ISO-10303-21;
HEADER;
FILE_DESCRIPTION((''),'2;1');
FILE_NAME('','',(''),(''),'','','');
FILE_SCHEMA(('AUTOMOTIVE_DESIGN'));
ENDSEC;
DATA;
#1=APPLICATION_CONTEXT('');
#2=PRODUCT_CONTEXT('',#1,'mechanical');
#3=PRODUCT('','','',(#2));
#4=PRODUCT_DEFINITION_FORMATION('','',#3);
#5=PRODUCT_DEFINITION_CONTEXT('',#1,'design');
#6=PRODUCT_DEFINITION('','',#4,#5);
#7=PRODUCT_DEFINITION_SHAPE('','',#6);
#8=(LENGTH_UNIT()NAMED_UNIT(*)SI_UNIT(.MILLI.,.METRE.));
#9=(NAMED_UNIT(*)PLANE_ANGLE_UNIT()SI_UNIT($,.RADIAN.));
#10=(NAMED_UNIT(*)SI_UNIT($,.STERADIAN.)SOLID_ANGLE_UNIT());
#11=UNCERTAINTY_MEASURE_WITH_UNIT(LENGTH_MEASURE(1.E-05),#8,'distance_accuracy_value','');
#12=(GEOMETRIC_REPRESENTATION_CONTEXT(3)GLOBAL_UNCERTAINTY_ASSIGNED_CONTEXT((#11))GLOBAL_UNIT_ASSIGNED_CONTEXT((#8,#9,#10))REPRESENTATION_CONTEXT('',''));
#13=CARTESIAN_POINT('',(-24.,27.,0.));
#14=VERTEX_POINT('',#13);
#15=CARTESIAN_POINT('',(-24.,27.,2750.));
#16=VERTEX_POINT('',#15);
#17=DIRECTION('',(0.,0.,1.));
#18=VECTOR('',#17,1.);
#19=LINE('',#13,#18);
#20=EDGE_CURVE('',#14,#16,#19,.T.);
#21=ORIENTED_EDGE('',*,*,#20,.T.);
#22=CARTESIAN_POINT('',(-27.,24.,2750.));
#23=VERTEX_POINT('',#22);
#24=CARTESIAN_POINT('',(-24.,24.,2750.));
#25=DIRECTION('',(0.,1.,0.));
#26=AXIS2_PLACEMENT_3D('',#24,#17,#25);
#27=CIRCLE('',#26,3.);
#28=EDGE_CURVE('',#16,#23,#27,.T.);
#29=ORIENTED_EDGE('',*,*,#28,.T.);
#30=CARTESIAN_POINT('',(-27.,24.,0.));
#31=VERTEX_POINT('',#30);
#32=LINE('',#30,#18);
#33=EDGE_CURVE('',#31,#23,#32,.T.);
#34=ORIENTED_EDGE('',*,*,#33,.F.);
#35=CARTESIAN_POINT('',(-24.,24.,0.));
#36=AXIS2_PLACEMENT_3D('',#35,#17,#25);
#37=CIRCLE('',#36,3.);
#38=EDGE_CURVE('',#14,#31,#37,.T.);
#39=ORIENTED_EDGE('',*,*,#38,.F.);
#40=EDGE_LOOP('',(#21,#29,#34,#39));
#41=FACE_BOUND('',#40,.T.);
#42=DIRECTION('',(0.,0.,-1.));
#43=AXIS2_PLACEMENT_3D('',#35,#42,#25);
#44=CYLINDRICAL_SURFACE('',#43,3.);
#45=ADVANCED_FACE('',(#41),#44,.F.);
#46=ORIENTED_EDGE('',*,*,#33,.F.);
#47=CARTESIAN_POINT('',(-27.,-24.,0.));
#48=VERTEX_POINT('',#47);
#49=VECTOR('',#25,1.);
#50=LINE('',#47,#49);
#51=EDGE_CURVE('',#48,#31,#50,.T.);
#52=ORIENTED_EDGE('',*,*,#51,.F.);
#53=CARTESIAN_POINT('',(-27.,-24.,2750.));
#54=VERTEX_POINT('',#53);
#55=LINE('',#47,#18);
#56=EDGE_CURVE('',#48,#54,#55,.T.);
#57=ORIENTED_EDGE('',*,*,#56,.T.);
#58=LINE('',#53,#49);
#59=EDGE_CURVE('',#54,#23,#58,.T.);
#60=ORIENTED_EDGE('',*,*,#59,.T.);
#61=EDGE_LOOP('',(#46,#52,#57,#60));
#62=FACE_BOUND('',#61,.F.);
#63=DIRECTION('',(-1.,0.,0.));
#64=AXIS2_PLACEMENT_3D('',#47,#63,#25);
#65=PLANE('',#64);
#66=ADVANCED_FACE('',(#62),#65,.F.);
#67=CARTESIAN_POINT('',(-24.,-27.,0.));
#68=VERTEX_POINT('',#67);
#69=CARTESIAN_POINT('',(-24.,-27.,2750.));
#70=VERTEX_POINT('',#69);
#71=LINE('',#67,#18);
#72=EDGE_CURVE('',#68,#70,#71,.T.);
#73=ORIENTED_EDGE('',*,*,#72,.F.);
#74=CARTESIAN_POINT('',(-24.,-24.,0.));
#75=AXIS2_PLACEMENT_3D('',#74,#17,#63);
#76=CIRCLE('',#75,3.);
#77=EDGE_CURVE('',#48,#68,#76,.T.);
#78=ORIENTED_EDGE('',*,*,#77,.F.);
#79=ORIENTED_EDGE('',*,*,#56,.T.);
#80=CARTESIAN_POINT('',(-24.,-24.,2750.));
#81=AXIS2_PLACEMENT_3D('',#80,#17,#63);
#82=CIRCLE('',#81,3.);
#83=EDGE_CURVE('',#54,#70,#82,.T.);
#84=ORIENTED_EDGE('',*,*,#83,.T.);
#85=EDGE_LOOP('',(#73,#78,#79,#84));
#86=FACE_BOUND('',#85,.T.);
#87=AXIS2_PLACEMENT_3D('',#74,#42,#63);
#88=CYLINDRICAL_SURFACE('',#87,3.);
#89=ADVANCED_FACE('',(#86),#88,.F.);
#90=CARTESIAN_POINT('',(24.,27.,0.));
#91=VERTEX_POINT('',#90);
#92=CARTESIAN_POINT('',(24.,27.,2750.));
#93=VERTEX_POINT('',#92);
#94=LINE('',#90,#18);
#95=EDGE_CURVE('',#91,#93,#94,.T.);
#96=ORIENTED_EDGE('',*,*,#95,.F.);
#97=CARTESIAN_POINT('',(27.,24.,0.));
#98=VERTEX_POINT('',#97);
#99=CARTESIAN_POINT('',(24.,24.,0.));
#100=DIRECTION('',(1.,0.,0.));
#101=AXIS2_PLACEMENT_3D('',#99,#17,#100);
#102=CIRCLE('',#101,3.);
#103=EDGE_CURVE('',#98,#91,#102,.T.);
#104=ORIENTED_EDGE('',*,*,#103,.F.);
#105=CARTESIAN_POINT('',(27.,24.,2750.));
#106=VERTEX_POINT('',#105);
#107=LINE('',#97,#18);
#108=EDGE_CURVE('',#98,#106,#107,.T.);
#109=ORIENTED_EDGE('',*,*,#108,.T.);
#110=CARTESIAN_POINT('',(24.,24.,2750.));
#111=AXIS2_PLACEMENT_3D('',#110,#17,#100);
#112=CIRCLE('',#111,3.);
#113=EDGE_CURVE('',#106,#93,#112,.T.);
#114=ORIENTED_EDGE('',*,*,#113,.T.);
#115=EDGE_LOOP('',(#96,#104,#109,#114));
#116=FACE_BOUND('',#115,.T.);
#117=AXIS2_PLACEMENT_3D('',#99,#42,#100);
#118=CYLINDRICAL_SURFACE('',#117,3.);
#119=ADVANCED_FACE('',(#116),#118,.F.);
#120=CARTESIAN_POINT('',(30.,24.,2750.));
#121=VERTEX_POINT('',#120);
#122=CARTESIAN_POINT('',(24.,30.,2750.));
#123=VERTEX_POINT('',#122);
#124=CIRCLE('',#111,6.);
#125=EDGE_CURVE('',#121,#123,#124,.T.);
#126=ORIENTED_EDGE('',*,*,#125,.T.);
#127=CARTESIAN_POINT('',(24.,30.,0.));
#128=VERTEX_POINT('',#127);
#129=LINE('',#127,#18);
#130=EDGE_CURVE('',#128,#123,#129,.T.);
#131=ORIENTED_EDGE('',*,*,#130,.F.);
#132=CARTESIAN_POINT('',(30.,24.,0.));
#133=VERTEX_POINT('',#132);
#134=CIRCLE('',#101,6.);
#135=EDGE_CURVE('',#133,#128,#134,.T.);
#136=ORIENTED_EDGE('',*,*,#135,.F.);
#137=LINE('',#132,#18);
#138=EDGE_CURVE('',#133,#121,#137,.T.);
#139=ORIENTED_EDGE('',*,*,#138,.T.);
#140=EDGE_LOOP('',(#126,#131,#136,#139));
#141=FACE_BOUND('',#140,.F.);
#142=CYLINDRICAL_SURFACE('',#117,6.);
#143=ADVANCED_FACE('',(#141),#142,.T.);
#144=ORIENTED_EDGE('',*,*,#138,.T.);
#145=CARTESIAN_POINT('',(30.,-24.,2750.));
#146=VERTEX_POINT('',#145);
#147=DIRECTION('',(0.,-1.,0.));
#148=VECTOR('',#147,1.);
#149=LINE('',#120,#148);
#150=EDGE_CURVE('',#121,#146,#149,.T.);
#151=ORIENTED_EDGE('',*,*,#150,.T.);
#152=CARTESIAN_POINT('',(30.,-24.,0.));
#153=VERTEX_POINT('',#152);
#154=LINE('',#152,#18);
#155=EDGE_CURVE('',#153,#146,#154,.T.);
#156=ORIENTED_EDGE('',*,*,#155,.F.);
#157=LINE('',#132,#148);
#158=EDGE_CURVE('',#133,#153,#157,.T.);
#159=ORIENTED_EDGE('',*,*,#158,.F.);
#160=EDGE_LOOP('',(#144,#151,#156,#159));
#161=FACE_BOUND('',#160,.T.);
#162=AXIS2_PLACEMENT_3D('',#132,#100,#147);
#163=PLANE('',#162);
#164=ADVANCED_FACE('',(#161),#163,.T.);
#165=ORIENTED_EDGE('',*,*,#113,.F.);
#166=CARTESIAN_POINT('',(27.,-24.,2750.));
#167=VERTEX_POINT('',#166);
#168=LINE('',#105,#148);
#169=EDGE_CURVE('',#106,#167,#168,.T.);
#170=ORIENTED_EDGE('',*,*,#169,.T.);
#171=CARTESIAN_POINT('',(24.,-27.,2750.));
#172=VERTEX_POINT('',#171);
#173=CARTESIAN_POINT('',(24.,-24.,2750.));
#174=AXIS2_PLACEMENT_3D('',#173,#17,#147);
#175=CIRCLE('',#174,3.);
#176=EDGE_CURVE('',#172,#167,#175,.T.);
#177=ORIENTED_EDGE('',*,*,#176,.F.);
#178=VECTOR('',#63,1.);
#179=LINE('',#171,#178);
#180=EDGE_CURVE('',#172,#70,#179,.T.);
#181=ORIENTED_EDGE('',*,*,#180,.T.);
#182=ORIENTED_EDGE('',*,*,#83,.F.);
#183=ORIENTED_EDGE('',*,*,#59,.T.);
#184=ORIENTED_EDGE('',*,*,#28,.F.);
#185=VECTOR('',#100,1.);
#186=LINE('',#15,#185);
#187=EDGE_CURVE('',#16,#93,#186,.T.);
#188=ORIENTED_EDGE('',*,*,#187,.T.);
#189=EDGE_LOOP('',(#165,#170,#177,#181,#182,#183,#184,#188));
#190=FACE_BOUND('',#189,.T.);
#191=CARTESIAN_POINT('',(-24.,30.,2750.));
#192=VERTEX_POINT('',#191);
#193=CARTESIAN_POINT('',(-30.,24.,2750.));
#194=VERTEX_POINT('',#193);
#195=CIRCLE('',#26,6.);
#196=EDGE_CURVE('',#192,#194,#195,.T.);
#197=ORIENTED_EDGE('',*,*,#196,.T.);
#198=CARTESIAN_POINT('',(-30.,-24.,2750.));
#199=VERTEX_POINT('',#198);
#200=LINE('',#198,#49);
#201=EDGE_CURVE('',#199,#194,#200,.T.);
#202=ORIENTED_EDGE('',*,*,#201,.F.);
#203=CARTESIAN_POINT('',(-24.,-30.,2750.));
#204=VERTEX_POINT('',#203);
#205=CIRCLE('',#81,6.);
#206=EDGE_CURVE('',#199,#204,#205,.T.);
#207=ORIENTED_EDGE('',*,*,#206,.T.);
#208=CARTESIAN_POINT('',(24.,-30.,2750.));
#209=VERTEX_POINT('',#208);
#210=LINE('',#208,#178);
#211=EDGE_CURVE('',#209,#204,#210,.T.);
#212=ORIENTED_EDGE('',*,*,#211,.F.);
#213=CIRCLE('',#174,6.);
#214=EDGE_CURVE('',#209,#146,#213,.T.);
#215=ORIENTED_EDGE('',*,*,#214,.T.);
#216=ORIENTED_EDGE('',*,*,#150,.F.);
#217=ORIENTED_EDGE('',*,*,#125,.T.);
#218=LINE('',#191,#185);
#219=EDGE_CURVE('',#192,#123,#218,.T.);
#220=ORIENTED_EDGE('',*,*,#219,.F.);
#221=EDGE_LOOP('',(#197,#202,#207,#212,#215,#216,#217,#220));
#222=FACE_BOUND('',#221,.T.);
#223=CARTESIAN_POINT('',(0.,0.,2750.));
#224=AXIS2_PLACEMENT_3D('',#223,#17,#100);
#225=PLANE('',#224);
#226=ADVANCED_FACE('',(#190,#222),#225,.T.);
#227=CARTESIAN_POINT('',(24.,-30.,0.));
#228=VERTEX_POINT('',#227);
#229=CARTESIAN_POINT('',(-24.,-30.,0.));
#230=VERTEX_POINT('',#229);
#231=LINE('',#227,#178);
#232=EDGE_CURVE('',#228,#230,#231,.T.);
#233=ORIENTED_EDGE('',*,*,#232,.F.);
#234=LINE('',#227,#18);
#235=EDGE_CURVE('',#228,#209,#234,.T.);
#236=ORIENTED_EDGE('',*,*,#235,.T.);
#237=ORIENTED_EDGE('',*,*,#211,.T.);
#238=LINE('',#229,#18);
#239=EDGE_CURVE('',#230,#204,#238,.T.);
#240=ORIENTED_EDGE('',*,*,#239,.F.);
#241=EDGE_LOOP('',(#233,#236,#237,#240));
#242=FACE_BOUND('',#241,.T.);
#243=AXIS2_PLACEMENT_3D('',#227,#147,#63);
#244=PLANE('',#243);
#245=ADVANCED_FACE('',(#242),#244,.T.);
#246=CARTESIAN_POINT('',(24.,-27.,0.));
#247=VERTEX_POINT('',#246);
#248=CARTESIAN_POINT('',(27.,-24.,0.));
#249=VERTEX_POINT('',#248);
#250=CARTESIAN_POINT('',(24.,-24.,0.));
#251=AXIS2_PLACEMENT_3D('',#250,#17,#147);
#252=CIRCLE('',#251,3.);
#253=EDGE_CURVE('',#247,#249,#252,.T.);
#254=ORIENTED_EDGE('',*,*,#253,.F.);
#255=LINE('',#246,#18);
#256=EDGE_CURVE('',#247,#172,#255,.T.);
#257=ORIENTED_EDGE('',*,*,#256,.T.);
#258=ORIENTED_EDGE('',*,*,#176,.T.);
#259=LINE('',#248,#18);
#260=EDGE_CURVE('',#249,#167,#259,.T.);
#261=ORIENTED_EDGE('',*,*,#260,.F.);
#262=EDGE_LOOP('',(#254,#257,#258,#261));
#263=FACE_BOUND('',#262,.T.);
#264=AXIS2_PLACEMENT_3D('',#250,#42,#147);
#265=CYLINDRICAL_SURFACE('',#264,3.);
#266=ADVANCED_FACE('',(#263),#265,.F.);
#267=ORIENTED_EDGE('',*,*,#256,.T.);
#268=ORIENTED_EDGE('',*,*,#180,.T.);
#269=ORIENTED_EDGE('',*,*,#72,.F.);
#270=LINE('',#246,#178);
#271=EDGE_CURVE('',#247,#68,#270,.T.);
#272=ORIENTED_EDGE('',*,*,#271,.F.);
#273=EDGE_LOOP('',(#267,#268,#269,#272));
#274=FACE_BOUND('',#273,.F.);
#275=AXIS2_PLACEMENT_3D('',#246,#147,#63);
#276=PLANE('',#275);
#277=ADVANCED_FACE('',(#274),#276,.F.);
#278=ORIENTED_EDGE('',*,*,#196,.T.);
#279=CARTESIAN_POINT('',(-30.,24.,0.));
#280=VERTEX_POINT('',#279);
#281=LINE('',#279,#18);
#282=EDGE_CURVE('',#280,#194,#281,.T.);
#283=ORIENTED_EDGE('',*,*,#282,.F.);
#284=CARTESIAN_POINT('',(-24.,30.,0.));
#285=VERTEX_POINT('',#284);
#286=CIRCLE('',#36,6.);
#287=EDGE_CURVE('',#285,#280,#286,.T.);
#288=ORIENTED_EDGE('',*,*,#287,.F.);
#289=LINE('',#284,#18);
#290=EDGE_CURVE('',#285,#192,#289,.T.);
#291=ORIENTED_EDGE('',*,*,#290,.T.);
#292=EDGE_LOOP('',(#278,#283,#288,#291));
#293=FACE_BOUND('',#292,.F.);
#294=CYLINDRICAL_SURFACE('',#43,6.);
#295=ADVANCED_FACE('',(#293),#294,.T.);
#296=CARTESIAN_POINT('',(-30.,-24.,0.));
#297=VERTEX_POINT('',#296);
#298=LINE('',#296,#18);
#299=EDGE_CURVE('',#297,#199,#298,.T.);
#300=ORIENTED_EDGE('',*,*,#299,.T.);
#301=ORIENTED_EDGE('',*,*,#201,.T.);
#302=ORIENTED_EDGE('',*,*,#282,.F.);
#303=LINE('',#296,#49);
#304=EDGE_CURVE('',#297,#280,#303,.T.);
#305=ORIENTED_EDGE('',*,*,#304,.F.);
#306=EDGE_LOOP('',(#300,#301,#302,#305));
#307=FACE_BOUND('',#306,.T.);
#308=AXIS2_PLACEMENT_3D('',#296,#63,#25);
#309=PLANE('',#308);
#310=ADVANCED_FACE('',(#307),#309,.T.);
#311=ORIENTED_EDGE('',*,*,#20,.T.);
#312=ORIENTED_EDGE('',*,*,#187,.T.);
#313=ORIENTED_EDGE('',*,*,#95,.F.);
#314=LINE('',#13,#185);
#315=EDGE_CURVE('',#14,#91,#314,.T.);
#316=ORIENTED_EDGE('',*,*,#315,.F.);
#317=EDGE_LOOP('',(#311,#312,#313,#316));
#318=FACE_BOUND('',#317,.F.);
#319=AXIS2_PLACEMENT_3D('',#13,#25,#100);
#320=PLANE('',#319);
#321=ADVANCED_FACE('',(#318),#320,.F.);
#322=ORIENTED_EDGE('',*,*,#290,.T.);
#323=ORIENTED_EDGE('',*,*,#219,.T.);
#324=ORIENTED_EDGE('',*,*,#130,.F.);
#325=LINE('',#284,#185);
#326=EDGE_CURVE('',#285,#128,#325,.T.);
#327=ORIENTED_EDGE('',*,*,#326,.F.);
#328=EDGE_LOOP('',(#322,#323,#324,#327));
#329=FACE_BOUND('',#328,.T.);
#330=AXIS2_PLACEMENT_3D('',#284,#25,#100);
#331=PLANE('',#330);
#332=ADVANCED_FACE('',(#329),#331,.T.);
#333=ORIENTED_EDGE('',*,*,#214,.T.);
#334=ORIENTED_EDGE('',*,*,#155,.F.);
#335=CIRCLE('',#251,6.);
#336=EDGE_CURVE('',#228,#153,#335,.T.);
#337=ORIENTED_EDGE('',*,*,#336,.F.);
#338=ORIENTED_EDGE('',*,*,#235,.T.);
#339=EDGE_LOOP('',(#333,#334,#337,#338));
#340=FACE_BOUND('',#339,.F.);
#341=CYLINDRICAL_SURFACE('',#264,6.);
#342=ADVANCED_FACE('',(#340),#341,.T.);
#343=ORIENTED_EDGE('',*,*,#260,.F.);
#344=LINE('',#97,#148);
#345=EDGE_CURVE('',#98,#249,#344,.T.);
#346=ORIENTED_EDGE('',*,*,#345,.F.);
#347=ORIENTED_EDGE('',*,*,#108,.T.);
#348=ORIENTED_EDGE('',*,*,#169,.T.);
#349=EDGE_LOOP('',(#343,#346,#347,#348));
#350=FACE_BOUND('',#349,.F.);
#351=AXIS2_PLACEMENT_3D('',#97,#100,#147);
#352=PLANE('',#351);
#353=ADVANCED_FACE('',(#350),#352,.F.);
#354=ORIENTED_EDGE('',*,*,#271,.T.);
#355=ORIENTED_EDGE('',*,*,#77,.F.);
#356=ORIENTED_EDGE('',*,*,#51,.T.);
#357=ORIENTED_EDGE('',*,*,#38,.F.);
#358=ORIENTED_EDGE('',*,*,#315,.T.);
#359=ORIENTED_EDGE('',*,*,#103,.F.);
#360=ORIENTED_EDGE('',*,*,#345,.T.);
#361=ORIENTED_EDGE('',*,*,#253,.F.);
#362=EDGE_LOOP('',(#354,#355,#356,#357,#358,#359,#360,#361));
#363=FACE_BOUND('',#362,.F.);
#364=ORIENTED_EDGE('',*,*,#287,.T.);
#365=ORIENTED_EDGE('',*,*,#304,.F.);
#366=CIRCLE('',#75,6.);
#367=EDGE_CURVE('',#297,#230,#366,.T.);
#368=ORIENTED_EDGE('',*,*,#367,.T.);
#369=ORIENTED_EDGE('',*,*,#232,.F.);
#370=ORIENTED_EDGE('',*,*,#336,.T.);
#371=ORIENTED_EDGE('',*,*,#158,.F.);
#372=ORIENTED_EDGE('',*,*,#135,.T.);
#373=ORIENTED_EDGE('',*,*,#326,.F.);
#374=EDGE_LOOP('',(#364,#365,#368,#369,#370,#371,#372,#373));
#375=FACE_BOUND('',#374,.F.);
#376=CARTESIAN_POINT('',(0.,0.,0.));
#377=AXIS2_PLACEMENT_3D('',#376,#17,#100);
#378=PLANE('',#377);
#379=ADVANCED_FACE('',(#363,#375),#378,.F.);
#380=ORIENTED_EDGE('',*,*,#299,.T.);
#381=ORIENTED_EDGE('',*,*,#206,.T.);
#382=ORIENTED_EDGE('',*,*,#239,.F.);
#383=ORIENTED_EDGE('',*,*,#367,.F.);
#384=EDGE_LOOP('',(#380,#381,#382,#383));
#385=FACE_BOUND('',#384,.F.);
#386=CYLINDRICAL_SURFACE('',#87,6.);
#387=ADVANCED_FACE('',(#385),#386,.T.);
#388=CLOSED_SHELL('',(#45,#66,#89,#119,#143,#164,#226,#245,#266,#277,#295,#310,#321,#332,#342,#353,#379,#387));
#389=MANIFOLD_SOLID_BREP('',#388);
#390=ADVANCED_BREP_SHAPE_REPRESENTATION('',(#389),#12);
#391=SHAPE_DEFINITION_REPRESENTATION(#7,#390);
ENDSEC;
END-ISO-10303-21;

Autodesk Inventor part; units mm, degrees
ref_plane "YZ Plane" through (0, 0, 0) normal (1, 0, 0) x (0, 1, 0)
ref_plane "Start plane" through (0, 0, 0) normal (0, 0, 1) x (1, 0, 0)
ref_plane "End plane" through (0, 0, 2750) normal (0, 0, 1) x (1, 0, 0)
sketch "Sketch" plane through (0, 0, 0) normal (0, 0, 1) x (1, 0, 0)
  line L0 (-30, -24) -> (-30, 24)
  line L1 (-24, 30) -> (24, 30)
  line L2 (30, 24) -> (30, -24)
  line L3 (24, -30) -> (-24, -30)
  arc A0 (-30, -24) -> (-24, -30) centre (-24, -24) ccw
  arc A1 (30, 24) -> (24, 30) centre (24, 24) ccw
  arc A2 (-24, 30) -> (-30, 24) centre (-24, 24) ccw
  arc A3 (24, -30) -> (30, -24) centre (24, -24) ccw
  arc A4 (-24, 27) -> (-27, 24) centre (-24, 24) ccw
  line L4 (-24, 27) -> (24, 27)
  arc A5 (27, 24) -> (24, 27) centre (24, 24) ccw
  line L5 (27, 24) -> (27, -24)
  arc A6 (24, -27) -> (27, -24) centre (24, -24) ccw
  line L6 (24, -27) -> (-24, -27)
  arc A7 (-27, -24) -> (-24, -27) centre (-24, -24) ccw
  line L7 (-27, -24) -> (-27, 24)
  line L8 (0, 43.7397) -> (0, -43.7397) construction
  line L9 (-43.7397, 0) -> (43.7397, 0) construction
  dimension "d7" = 6
  dimension "d9" = 60
  dimension "d11" = 60
  dimension "d12" = 3
  dimension "d15" = 30
  dimension "d16" = 30
extrude "Body" add sketch "Sketch" along normal up to surface (2750 mm away) from surface at 0
sketch "Sketch3" plane through (0, 0, 0) normal (0, 0, 1) x (1, 0, 0)
  line L0 (0, 0) -> (10, 0)
ref_plane "Work Plane3" through (0, 0, 0) normal (0, -1, 0) x (1, 0, 0)
sketch "Sketch4" plane through (0, 0, 0) normal (0, -1, 0) x (1, 0, 0)
  line L0 (-2, 0) -> (12, 0) projected
  line L1 (-2, 2750) -> (12, 2750) projected
  dimension "d18" = 2750
equation "\"d7\" = G_IR"
equation "\"d9\" = G_W"
equation "\"d11\" = G_H"
equation "\"d12\" = G_T"
equation "\"d15\" = 0.5 * d9"
equation "\"d16\" = 0.5 * d11"
equation "\"d3\" = G_L"
equation "\"G_W\" = 60"
equation "\"G_H\" = 60"
equation "\"G_T\" = 3"
equation "\"G_IR\" = 6"
equation "\"G_L\" = d18"
equation "\"G_OFFSET_START\" = 0"
properties part number "ISO 10799-2 - 60x60x3 - 2750" material "Steel, Mild"
